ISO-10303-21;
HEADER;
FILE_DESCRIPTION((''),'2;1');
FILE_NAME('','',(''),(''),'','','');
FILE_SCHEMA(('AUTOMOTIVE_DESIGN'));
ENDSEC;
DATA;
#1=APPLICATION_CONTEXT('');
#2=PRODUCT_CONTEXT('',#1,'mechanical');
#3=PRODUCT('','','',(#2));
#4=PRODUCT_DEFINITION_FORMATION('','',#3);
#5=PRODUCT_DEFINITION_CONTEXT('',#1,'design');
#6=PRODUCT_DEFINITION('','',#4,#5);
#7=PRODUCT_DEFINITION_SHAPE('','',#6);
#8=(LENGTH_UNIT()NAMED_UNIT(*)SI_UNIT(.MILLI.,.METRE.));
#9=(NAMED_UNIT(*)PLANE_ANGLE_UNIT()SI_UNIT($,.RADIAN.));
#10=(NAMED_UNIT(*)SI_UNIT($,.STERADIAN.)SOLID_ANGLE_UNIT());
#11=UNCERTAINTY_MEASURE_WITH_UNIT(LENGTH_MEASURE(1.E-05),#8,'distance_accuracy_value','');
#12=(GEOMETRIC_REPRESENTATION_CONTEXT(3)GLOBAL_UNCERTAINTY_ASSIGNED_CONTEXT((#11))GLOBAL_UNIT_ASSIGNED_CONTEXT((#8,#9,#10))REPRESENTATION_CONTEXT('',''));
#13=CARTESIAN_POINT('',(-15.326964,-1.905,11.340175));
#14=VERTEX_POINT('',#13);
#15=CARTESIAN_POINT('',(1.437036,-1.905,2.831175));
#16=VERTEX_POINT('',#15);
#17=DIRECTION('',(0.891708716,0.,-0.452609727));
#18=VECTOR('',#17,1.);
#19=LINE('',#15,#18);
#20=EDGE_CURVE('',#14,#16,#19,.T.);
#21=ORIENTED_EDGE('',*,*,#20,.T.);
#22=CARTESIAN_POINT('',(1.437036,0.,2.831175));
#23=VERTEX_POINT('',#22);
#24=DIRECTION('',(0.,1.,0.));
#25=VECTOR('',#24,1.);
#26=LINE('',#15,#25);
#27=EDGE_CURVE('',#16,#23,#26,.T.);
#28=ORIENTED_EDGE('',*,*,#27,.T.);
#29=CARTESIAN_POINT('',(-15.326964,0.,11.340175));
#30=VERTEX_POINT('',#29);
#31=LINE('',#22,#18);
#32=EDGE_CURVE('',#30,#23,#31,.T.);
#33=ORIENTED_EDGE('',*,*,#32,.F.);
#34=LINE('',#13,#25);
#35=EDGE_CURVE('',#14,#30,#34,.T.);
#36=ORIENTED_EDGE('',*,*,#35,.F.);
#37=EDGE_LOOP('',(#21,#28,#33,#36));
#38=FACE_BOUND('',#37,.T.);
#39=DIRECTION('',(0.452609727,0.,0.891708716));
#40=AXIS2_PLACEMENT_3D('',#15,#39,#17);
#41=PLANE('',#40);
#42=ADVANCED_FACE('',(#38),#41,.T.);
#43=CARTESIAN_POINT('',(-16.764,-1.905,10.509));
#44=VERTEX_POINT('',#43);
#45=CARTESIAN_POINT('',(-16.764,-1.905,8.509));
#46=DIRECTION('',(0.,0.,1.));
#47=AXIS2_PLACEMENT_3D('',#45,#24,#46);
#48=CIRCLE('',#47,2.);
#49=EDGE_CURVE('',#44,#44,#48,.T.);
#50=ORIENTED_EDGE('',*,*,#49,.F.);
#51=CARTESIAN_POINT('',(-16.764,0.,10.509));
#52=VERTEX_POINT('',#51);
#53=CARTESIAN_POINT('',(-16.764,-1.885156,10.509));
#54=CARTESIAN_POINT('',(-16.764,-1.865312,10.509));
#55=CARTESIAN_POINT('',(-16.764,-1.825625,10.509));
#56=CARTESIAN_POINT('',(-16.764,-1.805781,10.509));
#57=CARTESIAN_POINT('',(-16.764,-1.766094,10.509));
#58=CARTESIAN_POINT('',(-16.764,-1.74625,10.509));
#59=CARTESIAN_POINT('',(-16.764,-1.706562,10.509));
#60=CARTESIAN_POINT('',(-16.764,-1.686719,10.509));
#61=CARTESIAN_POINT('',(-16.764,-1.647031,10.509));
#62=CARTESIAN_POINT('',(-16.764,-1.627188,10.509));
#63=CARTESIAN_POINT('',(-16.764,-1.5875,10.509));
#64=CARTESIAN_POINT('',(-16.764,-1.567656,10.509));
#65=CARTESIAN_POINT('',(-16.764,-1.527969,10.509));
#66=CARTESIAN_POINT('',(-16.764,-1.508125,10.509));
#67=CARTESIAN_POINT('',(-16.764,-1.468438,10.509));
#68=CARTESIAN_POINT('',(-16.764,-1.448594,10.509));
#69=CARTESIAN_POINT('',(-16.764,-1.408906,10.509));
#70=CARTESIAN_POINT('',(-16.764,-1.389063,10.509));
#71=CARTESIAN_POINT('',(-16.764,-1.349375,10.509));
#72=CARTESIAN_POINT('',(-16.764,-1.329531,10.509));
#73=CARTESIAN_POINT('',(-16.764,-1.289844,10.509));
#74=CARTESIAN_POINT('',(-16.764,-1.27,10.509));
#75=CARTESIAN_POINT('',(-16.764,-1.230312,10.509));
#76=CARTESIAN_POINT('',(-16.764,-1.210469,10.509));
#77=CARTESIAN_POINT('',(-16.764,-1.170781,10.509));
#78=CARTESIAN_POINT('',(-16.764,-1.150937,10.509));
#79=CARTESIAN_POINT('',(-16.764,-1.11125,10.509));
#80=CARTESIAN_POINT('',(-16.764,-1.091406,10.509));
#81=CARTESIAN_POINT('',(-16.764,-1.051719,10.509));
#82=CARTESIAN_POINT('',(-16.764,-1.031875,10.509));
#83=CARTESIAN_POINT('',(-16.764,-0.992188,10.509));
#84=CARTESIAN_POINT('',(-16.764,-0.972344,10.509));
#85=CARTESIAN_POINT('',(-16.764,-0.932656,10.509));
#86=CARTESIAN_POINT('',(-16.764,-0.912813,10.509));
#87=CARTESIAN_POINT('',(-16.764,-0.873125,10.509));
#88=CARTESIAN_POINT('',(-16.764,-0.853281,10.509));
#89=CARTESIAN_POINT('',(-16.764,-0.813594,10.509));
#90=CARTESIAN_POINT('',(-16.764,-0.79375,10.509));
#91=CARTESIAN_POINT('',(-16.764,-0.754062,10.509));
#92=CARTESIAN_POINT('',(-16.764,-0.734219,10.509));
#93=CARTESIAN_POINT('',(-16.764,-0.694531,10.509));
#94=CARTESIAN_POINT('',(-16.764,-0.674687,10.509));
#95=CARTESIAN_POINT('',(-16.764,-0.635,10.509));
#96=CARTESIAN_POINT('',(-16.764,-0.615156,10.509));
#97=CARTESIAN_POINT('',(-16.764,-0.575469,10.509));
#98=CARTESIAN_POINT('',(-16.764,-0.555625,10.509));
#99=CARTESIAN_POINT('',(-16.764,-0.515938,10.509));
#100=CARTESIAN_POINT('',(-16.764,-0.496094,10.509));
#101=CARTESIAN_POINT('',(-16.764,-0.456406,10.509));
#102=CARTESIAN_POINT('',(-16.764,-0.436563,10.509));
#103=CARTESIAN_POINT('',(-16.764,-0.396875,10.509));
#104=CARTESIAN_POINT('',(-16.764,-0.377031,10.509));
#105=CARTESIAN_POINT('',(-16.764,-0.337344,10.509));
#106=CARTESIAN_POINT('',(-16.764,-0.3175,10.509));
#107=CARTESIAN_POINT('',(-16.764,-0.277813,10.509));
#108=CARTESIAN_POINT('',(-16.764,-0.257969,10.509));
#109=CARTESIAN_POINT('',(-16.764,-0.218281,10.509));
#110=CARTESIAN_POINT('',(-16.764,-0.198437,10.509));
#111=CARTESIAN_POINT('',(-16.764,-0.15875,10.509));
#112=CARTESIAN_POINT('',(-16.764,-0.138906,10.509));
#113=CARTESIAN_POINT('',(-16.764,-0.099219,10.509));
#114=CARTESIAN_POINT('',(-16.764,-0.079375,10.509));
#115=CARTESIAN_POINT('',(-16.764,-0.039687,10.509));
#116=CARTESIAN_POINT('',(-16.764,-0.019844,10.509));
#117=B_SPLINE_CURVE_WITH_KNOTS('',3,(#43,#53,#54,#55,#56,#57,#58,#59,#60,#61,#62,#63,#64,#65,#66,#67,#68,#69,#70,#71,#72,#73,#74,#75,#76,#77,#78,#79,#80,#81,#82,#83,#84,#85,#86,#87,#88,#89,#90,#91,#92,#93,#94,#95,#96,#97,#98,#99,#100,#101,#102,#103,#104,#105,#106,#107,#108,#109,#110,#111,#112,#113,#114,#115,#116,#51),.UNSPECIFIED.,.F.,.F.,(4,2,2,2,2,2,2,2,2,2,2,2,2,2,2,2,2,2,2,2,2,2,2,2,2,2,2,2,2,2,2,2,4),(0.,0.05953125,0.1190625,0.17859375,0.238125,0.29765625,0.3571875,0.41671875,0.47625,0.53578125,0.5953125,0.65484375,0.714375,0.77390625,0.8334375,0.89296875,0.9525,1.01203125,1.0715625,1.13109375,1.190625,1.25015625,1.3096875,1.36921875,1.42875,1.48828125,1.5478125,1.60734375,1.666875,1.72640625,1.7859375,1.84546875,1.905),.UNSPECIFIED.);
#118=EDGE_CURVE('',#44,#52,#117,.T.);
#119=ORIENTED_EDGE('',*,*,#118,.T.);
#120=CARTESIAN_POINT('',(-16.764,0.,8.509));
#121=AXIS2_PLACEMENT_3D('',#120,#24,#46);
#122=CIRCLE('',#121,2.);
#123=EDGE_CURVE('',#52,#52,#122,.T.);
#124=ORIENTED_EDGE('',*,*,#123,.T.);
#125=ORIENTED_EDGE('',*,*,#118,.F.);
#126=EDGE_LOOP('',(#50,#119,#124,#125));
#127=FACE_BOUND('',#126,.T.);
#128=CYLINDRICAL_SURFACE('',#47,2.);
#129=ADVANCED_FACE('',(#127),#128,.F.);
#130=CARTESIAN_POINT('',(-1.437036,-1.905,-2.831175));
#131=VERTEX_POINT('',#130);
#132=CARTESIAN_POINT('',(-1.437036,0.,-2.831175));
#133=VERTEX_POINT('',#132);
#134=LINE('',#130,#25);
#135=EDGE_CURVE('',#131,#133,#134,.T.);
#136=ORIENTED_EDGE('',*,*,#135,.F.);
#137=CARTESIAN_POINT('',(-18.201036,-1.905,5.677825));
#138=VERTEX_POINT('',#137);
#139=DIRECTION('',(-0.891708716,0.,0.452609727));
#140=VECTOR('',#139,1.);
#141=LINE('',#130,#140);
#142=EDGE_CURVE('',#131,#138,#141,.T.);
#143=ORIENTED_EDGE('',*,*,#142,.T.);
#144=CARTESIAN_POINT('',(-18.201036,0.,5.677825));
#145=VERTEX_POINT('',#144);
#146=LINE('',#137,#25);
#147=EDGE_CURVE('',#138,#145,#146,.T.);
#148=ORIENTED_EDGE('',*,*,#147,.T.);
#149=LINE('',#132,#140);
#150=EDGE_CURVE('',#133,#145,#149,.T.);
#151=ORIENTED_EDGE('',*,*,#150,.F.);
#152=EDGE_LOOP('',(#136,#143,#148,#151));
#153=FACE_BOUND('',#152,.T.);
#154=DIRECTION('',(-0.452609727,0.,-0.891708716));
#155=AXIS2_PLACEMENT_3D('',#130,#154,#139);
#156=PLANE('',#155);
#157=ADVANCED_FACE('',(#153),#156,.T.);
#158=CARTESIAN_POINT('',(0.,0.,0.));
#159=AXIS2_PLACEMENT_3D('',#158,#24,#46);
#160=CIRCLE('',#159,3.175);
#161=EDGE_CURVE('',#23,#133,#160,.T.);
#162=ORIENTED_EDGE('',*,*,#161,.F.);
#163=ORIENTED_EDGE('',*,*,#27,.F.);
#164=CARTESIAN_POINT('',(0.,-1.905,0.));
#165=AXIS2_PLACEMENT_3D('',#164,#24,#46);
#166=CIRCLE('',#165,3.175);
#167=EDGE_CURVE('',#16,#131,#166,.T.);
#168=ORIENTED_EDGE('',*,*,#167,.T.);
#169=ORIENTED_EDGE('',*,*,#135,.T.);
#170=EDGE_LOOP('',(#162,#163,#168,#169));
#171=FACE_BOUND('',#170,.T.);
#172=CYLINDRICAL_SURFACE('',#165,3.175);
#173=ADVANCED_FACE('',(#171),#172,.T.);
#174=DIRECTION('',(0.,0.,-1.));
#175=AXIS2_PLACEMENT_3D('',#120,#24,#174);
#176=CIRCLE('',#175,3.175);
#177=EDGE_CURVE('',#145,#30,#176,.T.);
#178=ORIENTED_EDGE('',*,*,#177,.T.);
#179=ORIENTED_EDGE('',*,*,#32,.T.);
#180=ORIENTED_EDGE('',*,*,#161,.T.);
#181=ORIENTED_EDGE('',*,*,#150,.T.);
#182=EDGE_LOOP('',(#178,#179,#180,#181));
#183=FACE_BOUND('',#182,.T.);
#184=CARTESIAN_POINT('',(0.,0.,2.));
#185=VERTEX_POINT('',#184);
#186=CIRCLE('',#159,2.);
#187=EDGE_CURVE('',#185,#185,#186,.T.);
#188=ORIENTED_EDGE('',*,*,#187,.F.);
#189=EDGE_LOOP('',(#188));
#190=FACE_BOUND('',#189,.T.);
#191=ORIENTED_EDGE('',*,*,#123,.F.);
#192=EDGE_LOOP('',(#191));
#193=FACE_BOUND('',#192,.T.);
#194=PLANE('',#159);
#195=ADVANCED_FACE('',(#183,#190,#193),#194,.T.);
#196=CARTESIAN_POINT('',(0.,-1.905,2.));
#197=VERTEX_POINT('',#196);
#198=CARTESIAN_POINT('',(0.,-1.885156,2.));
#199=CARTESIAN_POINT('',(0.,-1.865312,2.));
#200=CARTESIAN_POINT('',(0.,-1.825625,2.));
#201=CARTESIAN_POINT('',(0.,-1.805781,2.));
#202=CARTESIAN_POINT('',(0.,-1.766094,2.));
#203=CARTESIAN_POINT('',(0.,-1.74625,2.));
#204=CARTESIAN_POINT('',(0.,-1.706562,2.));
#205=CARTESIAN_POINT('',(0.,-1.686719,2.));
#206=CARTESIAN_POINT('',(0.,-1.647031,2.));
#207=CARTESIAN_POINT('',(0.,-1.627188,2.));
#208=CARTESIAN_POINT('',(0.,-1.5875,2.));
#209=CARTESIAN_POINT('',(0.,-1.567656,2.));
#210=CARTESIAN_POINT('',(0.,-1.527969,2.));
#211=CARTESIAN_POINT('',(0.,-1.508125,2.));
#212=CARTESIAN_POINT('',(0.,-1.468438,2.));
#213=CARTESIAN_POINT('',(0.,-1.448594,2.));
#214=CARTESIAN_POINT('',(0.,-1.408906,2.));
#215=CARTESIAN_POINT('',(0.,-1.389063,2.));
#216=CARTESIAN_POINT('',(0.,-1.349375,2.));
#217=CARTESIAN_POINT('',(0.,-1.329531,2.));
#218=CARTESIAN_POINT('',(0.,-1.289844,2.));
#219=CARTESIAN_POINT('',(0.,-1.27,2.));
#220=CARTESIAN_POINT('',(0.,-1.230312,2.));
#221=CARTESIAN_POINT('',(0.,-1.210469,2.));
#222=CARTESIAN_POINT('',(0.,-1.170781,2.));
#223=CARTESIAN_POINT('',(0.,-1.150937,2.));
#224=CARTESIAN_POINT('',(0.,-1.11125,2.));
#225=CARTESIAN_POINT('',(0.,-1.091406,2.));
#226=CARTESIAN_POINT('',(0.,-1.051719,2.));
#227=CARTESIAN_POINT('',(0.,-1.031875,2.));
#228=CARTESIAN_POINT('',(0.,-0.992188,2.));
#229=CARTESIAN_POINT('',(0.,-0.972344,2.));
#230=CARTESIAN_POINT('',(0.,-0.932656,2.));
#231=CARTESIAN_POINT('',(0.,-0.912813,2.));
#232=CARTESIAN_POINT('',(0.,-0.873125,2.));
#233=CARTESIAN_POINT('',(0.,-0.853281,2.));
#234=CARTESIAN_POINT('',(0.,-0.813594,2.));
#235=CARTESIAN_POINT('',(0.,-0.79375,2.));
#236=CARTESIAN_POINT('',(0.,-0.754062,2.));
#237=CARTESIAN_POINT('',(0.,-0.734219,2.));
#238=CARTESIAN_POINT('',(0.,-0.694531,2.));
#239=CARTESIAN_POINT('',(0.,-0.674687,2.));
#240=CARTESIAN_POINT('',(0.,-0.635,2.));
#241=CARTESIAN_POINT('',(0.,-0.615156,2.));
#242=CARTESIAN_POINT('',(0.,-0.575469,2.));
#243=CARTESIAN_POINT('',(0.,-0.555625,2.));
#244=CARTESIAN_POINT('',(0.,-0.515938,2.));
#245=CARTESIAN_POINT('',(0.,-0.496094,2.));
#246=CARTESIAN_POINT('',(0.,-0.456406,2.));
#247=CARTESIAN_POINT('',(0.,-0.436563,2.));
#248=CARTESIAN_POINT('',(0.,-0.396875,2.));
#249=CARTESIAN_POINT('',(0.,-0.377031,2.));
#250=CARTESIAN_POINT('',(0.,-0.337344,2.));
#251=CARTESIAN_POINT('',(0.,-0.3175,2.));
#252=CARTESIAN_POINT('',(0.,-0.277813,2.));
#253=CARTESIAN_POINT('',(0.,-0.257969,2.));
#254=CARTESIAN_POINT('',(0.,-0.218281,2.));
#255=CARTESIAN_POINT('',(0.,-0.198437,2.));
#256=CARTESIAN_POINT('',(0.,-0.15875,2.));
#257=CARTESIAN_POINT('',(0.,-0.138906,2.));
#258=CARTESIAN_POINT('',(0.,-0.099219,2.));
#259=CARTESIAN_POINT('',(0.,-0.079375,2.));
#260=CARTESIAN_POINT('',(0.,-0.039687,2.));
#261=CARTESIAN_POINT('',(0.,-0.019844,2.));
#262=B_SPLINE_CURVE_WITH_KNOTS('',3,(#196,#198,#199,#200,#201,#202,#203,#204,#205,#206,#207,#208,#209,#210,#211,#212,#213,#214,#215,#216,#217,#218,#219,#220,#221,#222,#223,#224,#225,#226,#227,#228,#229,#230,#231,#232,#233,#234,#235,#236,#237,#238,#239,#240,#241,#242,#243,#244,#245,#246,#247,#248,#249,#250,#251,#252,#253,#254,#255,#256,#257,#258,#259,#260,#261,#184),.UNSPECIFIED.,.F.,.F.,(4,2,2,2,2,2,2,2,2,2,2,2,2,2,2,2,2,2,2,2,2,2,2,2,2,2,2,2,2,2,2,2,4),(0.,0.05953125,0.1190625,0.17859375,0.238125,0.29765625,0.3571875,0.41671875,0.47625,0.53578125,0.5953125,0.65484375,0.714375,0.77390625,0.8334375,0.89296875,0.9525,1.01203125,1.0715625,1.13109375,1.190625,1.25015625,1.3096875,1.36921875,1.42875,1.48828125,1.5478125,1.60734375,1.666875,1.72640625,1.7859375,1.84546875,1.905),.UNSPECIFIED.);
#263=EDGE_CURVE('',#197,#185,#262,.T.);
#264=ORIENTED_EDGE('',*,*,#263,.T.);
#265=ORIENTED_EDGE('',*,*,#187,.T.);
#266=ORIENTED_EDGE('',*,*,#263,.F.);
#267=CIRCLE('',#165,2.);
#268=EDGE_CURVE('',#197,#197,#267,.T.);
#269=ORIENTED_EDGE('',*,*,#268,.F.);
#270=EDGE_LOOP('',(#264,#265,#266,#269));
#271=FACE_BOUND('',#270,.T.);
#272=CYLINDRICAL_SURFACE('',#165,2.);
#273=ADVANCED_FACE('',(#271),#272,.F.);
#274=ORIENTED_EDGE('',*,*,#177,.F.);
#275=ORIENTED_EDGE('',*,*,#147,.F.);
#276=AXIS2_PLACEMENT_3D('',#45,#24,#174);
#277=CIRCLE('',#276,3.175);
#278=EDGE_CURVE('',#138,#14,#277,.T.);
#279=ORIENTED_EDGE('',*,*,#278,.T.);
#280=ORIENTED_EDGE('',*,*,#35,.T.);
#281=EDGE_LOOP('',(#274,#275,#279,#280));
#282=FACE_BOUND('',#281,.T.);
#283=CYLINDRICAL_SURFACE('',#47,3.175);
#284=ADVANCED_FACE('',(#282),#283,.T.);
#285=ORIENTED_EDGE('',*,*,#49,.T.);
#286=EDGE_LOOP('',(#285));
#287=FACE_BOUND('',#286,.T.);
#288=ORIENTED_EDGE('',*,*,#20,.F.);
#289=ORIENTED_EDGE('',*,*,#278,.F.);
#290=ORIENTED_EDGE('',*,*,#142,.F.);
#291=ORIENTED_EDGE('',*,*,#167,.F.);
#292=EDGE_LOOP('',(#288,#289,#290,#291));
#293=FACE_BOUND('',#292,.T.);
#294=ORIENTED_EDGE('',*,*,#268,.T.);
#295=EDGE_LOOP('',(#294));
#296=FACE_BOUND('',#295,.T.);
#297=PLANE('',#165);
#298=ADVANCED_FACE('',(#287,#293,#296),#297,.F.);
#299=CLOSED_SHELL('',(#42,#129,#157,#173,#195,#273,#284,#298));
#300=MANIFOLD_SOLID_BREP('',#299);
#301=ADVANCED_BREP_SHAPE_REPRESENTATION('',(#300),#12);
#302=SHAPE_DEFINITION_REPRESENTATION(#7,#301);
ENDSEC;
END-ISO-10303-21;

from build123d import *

# Parameters (mm, degrees)
SKETCH1_R           = 2
BOSS_EXTRUDE1_DEPTH = 1.905


with BuildPart() as part:
    # Sketch1 → Boss-Extrude1 (new body)
    with BuildSketch(Plane(origin=(0, 0, 0), x_dir=(1, 0, 0), z_dir=(0, 1, 0))):
        with BuildLine():
            Line((1.437035884, -2.831175174), (-15.326964116, -11.340175174))
            ThreePointArc((-15.326964116, -11.340175174), (-19.595175174, -9.946035884), (-18.201035884, -5.677824826))
            Line((-18.201035884, -5.677824826), (-1.437035884, 2.831175174))
            ThreePointArc((-1.437035884, 2.831175174), (2.831175174, 1.437035884), (1.437035884, -2.831175174))
        make_face()
        with Locations(Location((0, 0, 0), (0, 0, 270))):
            Circle(SKETCH1_R, mode=Mode.SUBTRACT)
        with Locations(Location((-16.764, -8.509, 0), (0, 0, 270))):
            Circle(SKETCH1_R, mode=Mode.SUBTRACT)
    extrude(amount=-BOSS_EXTRUDE1_DEPTH)


solid = part.part
